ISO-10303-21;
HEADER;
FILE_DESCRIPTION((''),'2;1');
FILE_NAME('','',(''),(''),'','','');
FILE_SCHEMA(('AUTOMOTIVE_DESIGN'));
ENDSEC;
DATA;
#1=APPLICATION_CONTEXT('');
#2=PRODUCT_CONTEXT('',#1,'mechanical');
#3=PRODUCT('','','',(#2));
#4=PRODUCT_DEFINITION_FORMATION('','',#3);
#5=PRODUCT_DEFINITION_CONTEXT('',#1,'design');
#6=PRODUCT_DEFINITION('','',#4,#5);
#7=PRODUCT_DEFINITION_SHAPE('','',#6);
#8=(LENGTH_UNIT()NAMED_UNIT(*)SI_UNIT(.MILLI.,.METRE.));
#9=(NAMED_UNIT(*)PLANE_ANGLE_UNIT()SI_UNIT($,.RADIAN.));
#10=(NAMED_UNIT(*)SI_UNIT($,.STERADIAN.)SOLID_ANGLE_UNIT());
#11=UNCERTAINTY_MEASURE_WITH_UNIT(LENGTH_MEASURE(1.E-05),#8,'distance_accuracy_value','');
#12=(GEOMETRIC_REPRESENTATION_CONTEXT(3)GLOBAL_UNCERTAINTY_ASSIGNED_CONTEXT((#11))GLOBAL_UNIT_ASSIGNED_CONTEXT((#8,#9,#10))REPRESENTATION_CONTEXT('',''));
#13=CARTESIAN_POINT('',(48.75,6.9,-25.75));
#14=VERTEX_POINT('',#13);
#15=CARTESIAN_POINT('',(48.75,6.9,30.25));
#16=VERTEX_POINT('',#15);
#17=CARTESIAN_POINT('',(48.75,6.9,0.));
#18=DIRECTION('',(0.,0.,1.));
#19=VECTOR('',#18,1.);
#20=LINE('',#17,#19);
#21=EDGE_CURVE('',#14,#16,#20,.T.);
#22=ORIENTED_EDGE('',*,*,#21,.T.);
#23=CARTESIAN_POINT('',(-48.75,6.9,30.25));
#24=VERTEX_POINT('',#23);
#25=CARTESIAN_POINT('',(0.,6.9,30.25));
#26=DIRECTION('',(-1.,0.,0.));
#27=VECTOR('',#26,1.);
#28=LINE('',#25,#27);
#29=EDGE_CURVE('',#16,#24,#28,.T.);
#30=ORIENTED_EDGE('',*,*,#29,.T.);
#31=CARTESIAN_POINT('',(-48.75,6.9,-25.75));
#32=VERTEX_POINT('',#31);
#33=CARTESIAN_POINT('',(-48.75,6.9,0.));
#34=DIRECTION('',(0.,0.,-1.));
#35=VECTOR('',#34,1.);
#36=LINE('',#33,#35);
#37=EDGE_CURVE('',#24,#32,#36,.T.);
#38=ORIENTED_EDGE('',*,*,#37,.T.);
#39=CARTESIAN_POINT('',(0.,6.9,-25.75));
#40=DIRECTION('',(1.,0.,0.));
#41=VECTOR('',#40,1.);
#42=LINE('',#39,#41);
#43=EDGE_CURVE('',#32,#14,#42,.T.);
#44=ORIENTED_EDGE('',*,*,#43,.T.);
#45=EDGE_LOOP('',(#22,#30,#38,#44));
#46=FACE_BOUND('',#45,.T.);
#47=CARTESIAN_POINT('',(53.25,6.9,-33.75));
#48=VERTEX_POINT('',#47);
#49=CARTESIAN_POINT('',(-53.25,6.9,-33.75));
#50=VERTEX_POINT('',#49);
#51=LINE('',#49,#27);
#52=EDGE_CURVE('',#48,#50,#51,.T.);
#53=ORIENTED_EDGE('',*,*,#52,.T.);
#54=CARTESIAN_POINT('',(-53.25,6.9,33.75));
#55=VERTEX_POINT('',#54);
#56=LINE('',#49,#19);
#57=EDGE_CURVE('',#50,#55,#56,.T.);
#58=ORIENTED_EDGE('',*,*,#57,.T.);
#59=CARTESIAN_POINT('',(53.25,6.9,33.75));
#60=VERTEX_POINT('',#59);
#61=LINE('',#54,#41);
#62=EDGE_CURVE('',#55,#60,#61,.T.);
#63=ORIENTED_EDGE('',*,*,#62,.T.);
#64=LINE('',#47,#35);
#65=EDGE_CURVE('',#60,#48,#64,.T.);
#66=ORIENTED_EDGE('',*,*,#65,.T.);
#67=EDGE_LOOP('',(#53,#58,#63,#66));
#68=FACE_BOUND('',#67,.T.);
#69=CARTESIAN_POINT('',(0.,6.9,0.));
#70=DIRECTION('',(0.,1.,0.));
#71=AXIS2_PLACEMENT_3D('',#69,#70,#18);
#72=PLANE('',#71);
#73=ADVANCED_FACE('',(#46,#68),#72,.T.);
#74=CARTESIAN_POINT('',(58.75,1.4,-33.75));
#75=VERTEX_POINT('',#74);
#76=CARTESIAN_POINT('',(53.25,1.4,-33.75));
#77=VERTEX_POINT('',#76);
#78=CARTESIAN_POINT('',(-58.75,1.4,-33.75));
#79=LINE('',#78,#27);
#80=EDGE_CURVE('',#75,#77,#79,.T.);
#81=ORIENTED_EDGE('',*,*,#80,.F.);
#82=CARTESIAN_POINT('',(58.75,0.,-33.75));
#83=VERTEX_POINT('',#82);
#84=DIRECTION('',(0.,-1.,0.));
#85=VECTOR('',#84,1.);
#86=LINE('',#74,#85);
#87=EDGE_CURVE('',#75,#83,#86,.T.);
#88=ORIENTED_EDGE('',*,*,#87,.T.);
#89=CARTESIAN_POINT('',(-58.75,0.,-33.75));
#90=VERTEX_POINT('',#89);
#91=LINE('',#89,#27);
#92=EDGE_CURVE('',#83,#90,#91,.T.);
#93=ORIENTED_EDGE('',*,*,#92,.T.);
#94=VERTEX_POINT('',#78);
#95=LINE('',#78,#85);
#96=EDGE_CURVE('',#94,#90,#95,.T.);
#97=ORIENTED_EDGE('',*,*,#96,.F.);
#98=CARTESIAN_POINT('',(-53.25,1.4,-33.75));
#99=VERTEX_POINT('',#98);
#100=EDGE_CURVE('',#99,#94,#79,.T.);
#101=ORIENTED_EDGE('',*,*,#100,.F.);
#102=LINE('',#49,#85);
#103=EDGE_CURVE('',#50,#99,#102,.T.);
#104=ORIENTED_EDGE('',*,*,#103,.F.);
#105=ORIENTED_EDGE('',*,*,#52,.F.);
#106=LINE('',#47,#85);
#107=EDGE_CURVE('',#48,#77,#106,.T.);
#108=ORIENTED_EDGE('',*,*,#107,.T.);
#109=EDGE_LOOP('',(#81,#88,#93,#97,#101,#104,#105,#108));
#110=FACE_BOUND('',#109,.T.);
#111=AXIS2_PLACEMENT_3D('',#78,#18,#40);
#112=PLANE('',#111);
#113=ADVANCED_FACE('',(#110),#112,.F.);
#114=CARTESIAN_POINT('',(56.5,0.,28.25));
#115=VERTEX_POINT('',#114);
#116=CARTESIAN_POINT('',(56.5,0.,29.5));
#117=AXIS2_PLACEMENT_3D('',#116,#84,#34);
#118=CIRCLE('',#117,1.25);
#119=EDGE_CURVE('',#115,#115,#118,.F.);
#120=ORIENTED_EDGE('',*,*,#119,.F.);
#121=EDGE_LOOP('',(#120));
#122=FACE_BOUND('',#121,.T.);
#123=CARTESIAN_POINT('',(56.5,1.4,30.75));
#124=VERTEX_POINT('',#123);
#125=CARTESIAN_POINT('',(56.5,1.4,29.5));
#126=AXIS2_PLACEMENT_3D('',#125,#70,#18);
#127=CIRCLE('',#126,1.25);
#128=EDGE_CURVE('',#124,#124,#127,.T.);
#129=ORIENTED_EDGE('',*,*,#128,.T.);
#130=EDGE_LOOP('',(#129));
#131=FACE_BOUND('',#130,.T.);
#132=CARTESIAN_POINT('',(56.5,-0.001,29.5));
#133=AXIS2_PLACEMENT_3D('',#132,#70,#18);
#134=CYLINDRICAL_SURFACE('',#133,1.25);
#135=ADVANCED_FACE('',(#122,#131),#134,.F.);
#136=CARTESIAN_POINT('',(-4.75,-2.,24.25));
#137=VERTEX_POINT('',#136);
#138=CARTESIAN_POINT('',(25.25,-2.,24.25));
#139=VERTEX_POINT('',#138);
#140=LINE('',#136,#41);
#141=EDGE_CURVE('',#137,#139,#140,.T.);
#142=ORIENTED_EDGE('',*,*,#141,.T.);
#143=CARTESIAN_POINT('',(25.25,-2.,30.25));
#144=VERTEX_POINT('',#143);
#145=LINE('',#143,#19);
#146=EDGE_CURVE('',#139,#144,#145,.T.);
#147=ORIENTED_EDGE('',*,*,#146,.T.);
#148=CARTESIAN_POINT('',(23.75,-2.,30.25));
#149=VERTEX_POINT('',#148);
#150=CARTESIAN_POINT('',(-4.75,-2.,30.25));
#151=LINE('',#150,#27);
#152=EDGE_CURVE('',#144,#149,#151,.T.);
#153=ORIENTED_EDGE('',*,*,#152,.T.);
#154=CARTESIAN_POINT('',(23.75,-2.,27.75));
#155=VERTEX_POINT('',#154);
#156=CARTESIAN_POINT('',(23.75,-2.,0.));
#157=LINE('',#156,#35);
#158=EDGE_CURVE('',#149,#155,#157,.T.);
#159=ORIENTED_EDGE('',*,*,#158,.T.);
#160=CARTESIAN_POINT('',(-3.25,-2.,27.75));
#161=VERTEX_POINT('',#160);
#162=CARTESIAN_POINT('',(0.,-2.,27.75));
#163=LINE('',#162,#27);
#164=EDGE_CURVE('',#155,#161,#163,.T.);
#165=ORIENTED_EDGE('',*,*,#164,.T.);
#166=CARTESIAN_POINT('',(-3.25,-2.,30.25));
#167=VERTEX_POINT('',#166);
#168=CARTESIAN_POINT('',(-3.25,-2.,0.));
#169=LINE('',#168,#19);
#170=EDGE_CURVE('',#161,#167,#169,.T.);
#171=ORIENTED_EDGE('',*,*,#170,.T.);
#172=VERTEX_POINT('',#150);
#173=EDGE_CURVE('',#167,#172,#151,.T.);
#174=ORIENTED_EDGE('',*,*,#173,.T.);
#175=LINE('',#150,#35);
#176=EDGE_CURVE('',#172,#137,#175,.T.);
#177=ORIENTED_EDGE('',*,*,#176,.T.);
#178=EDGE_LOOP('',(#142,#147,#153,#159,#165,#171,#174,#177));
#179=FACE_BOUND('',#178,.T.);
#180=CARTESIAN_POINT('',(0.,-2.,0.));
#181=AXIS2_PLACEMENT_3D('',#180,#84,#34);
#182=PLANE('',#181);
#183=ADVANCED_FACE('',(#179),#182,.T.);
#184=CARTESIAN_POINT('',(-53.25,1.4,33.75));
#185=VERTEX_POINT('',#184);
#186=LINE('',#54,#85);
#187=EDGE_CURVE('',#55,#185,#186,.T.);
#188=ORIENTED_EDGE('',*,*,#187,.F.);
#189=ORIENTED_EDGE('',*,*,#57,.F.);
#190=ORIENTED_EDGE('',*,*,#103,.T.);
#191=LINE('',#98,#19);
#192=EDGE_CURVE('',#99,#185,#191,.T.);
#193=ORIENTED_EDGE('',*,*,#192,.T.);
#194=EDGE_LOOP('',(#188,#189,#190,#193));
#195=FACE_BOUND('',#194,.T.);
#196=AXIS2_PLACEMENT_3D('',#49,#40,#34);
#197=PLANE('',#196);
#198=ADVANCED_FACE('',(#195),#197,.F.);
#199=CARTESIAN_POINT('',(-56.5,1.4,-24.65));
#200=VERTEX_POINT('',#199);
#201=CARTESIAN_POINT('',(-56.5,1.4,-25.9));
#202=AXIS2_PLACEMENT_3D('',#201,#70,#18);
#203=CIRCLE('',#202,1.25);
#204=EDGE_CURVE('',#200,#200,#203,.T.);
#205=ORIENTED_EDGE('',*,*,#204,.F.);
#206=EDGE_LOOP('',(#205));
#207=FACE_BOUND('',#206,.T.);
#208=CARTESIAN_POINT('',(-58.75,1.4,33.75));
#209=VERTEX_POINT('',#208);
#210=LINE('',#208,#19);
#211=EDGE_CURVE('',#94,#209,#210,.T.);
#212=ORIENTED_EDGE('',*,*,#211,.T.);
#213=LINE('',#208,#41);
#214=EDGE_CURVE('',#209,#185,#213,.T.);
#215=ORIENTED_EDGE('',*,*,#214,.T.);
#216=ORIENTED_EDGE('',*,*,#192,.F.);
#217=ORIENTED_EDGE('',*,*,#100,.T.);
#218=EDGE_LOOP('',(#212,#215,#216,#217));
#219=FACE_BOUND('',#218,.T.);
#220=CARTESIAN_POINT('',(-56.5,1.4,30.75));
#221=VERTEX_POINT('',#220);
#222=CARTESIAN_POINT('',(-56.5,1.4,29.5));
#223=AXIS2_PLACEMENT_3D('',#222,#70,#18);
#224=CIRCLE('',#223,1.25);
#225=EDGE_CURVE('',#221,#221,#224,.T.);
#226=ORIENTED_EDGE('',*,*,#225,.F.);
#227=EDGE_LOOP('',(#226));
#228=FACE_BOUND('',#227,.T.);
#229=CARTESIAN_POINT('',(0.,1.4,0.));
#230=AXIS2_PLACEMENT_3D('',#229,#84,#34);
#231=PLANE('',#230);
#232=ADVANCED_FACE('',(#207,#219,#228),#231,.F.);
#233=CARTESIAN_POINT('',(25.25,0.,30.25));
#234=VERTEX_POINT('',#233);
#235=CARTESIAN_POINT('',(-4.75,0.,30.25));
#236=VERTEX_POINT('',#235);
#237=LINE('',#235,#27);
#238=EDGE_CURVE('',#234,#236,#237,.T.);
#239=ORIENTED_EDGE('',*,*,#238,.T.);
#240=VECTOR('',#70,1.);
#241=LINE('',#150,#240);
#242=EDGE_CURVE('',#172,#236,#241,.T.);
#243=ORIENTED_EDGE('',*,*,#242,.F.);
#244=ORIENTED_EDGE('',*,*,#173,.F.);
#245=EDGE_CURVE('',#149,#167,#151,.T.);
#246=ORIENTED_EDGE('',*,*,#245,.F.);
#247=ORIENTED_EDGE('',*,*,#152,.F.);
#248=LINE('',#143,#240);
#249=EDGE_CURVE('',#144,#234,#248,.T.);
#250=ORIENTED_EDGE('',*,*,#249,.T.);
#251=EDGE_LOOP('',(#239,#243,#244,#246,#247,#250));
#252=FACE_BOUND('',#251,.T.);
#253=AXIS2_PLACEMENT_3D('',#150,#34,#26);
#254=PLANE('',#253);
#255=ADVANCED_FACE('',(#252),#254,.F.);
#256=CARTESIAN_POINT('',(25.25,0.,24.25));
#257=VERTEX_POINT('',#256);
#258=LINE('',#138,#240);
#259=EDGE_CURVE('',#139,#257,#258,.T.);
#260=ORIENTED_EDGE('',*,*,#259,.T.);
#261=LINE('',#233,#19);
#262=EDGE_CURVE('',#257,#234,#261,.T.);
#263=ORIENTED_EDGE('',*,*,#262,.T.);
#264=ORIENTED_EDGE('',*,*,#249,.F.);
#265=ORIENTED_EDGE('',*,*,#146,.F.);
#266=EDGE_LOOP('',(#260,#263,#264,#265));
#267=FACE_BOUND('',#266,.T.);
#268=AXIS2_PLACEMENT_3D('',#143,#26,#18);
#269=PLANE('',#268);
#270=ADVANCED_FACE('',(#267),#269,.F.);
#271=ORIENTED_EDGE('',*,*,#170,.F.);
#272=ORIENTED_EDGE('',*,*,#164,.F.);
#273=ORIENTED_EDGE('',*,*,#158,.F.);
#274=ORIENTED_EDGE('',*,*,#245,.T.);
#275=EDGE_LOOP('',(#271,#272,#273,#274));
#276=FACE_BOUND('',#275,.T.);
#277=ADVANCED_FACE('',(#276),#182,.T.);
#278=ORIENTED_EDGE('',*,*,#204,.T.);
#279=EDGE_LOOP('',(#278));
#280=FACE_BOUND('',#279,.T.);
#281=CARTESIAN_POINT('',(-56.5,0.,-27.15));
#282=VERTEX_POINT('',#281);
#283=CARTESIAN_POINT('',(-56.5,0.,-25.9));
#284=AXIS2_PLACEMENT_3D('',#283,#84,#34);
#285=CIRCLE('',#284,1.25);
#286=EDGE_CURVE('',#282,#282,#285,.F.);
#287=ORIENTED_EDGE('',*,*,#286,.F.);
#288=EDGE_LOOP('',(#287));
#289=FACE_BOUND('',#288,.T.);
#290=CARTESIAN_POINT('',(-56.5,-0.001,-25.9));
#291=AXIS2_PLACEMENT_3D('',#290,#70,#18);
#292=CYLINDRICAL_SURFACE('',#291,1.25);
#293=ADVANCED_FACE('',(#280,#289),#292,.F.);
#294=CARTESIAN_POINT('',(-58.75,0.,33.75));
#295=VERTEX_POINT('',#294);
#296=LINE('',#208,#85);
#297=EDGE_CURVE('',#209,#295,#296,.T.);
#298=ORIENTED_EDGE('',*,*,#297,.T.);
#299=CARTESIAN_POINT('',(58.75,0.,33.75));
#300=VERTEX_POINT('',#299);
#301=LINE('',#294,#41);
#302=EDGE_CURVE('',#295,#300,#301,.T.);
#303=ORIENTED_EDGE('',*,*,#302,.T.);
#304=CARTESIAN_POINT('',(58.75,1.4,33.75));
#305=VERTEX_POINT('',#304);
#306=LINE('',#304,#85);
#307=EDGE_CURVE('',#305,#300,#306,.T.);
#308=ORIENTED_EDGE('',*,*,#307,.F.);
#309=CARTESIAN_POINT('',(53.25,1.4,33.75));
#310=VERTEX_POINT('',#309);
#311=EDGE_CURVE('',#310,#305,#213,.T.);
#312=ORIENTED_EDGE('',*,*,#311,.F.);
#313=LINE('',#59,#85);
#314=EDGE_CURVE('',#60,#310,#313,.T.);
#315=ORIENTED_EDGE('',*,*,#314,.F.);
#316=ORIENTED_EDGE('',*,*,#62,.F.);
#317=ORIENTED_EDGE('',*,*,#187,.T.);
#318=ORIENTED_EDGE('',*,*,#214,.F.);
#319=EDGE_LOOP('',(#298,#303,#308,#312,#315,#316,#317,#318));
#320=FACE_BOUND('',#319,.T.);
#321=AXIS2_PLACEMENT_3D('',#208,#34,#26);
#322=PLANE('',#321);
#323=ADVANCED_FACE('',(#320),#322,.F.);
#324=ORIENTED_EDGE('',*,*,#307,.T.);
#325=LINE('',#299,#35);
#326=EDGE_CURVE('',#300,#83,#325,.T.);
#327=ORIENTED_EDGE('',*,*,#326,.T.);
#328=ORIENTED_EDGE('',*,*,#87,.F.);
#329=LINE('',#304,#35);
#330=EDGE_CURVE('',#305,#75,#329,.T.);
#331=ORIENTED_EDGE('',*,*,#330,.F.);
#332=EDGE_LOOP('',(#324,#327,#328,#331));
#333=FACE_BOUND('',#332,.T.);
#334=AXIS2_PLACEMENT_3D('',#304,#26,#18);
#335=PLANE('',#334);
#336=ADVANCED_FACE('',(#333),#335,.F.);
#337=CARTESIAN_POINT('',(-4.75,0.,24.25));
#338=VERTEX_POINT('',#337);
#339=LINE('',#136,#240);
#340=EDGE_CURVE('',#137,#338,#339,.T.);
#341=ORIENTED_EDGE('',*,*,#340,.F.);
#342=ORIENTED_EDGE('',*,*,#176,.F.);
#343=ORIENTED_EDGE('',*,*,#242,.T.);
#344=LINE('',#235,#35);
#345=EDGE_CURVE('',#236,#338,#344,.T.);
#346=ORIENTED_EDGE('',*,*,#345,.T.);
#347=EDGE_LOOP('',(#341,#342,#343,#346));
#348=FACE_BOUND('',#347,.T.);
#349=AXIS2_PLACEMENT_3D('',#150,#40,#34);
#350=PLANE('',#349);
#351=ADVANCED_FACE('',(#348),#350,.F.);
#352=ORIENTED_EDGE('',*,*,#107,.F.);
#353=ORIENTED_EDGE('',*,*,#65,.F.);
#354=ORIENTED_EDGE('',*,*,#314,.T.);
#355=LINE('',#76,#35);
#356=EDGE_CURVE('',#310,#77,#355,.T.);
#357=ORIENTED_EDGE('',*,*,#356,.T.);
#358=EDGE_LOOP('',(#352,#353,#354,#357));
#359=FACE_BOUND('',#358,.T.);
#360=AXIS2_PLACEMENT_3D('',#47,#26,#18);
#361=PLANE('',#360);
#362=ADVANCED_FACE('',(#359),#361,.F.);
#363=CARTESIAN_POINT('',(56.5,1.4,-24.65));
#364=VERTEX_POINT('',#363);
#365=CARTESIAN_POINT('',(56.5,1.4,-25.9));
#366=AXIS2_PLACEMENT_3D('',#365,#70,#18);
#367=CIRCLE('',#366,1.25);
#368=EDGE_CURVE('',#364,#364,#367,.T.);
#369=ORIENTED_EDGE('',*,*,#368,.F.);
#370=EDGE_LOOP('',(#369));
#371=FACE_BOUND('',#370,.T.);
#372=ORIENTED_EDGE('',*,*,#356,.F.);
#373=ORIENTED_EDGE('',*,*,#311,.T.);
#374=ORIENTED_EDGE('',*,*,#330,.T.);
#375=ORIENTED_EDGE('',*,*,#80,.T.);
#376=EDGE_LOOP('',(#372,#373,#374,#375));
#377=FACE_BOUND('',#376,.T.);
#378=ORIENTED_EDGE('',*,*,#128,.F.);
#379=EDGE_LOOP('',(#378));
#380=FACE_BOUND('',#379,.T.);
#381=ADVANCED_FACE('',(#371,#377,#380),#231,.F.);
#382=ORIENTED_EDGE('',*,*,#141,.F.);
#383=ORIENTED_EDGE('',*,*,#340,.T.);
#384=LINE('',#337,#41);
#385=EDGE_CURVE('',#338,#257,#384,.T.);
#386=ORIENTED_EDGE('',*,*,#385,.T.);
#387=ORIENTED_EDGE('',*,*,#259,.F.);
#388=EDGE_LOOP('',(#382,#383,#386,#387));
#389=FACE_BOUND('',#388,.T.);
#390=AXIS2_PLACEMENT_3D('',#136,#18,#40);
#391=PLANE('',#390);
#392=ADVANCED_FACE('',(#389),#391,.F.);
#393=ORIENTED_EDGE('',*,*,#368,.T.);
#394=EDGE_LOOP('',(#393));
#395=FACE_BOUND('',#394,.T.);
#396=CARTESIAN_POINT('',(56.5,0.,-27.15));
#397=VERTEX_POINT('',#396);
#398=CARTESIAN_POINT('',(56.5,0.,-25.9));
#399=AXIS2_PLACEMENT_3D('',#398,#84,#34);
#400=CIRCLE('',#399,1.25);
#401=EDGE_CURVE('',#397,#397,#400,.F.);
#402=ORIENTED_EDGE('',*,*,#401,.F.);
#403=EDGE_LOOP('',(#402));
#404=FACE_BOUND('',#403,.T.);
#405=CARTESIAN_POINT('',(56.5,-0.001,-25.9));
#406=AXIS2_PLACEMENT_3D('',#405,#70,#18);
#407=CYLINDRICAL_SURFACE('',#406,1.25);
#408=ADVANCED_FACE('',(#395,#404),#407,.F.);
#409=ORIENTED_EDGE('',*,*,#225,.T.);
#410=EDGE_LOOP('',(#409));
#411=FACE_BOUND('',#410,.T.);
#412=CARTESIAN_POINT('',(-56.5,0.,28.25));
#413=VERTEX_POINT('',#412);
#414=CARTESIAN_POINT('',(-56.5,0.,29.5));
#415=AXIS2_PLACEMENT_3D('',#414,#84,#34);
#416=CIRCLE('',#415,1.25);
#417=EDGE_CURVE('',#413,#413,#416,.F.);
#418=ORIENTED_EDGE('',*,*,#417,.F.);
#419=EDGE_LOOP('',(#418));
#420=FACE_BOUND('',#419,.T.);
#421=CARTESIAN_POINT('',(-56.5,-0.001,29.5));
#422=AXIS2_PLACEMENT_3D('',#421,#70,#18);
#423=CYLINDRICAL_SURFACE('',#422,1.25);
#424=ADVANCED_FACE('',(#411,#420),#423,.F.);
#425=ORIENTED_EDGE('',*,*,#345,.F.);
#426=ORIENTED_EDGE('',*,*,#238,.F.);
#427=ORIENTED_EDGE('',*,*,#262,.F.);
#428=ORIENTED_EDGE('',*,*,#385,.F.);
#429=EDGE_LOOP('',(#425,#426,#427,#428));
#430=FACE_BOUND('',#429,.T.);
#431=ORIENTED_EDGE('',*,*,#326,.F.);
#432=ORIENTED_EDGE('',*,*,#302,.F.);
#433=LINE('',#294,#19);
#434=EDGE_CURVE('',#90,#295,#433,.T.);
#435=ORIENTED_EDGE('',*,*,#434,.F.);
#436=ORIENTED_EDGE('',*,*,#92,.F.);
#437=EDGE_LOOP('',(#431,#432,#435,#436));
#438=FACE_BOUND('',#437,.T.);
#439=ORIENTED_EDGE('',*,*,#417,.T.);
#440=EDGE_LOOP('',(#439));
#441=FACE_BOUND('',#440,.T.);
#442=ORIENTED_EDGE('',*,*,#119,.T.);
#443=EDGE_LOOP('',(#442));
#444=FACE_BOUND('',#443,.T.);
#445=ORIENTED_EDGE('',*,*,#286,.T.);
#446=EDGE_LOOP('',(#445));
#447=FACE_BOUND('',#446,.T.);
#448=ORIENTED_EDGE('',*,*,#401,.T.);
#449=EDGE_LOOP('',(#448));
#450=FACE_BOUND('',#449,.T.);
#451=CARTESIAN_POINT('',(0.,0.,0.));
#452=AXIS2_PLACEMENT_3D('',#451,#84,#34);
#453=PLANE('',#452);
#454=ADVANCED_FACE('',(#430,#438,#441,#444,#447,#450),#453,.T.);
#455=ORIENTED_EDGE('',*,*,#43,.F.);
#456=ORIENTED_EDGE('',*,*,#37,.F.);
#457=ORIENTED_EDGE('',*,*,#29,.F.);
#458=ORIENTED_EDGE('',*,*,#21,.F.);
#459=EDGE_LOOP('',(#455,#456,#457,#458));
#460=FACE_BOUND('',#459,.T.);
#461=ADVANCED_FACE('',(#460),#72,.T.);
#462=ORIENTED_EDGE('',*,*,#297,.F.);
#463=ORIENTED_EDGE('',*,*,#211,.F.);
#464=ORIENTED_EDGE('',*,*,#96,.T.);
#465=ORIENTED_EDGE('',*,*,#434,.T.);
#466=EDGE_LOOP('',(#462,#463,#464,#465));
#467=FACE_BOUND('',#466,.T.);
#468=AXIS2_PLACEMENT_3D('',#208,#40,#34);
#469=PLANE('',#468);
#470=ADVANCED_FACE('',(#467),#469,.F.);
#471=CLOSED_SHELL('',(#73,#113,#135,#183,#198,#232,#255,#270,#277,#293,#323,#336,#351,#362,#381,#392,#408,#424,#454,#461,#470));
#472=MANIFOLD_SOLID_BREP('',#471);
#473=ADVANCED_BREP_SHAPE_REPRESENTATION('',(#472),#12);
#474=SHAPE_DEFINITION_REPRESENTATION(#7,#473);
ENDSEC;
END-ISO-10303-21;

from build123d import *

# Parameters (mm, degrees)
SKETCH_1_W          = 117.5
SKETCH_1_H          = 67.5
EXTRUDE_1_DEPTH     = 1.4
SKETCH_2_W          = 106.5
SKETCH_2_H          = 67.5
EXTRUDE_2_DEPTH     = 5.5
CUT_EXTRUDE_1_REACH = 69.977
SKETCH_5_R          = 1.25
SKETCH_6_W          = 30
SKETCH_6_H          = 6
EXTRUDE_3_DEPTH     = 2


with BuildPart() as part:
    # 草图1 → 凸台-拉伸1 (new body)
    with BuildSketch(Plane(origin=(0, 0, 0), x_dir=(1, 0, 0), z_dir=(0, 1, 0))):
        Rectangle(SKETCH_1_W, SKETCH_1_H)
    extrude(amount=EXTRUDE_1_DEPTH)

    # 草图2 → 凸台-拉伸2 (add)
    with BuildSketch(Plane(origin=(0, 1.4, 0), x_dir=(1, 0, 0), z_dir=(0, 1, 0))):
        Rectangle(SKETCH_2_W, SKETCH_2_H)
    extrude(amount=EXTRUDE_2_DEPTH)

    # 草图5 → 切除-拉伸1 (cut, up to next)
    with BuildSketch(Plane(origin=(0, 1.4, 0), x_dir=(1, 0, 0), z_dir=(0, 1, 0)), mode=Mode.PRIVATE) as cut_extrude_1_sk1:
        with Locations(Location((-56.5, -29.5, 0), (0, 0, 270))):
            Circle(SKETCH_5_R)
    cut_extrude_1_tool1 = extrude(cut_extrude_1_sk1.sketch, amount=-CUT_EXTRUDE_1_REACH, mode=Mode.PRIVATE) & part.part
    # 草图5 → 切除-拉伸1 (cut, up to next)
    with BuildSketch(Plane(origin=(0, 1.4, 0), x_dir=(1, 0, 0), z_dir=(0, 1, 0)), mode=Mode.PRIVATE) as cut_extrude_1_sk2:
        with Locations(Location((-56.5, 25.9, 0), (0, 0, 270))):
            Circle(SKETCH_5_R)
    cut_extrude_1_tool2 = extrude(cut_extrude_1_sk2.sketch, amount=-CUT_EXTRUDE_1_REACH, mode=Mode.PRIVATE) & part.part
    # 草图5 → 切除-拉伸1 (cut, up to next)
    with BuildSketch(Plane(origin=(0, 1.4, 0), x_dir=(1, 0, 0), z_dir=(0, 1, 0)), mode=Mode.PRIVATE) as cut_extrude_1_sk3:
        with Locations(Location((56.5, 25.9, 0), (0, 0, 270))):
            Circle(SKETCH_5_R)
    cut_extrude_1_tool3 = extrude(cut_extrude_1_sk3.sketch, amount=-CUT_EXTRUDE_1_REACH, mode=Mode.PRIVATE) & part.part
    # 草图5 → 切除-拉伸1 (cut, up to next)
    with BuildSketch(Plane(origin=(0, 1.4, 0), x_dir=(1, 0, 0), z_dir=(0, 1, 0)), mode=Mode.PRIVATE) as cut_extrude_1_sk4:
        with Locations(Location((56.5, -29.5, 0), (0, 0, 270))):
            Circle(SKETCH_5_R)
    cut_extrude_1_tool4 = extrude(cut_extrude_1_sk4.sketch, amount=-CUT_EXTRUDE_1_REACH, mode=Mode.PRIVATE) & part.part
    add(cut_extrude_1_tool1.solids().sort_by_distance((-56.5, 1.4, 29.5))[0], mode=Mode.SUBTRACT)
    add(cut_extrude_1_tool2.solids().sort_by_distance((-56.5, 1.4, -25.9))[0], mode=Mode.SUBTRACT)
    add(cut_extrude_1_tool3.solids().sort_by_distance((56.5, 1.4, -25.9))[0], mode=Mode.SUBTRACT)
    add(cut_extrude_1_tool4.solids().sort_by_distance((56.5, 1.4, 29.5))[0], mode=Mode.SUBTRACT)

    # 草图6 → 凸台-拉伸3 (add)
    with BuildSketch(Plane.XZ):
        with Locations((10.25, 27.25)):
            Rectangle(SKETCH_6_W, SKETCH_6_H)
    extrude(amount=EXTRUDE_3_DEPTH)


solid = part.part
